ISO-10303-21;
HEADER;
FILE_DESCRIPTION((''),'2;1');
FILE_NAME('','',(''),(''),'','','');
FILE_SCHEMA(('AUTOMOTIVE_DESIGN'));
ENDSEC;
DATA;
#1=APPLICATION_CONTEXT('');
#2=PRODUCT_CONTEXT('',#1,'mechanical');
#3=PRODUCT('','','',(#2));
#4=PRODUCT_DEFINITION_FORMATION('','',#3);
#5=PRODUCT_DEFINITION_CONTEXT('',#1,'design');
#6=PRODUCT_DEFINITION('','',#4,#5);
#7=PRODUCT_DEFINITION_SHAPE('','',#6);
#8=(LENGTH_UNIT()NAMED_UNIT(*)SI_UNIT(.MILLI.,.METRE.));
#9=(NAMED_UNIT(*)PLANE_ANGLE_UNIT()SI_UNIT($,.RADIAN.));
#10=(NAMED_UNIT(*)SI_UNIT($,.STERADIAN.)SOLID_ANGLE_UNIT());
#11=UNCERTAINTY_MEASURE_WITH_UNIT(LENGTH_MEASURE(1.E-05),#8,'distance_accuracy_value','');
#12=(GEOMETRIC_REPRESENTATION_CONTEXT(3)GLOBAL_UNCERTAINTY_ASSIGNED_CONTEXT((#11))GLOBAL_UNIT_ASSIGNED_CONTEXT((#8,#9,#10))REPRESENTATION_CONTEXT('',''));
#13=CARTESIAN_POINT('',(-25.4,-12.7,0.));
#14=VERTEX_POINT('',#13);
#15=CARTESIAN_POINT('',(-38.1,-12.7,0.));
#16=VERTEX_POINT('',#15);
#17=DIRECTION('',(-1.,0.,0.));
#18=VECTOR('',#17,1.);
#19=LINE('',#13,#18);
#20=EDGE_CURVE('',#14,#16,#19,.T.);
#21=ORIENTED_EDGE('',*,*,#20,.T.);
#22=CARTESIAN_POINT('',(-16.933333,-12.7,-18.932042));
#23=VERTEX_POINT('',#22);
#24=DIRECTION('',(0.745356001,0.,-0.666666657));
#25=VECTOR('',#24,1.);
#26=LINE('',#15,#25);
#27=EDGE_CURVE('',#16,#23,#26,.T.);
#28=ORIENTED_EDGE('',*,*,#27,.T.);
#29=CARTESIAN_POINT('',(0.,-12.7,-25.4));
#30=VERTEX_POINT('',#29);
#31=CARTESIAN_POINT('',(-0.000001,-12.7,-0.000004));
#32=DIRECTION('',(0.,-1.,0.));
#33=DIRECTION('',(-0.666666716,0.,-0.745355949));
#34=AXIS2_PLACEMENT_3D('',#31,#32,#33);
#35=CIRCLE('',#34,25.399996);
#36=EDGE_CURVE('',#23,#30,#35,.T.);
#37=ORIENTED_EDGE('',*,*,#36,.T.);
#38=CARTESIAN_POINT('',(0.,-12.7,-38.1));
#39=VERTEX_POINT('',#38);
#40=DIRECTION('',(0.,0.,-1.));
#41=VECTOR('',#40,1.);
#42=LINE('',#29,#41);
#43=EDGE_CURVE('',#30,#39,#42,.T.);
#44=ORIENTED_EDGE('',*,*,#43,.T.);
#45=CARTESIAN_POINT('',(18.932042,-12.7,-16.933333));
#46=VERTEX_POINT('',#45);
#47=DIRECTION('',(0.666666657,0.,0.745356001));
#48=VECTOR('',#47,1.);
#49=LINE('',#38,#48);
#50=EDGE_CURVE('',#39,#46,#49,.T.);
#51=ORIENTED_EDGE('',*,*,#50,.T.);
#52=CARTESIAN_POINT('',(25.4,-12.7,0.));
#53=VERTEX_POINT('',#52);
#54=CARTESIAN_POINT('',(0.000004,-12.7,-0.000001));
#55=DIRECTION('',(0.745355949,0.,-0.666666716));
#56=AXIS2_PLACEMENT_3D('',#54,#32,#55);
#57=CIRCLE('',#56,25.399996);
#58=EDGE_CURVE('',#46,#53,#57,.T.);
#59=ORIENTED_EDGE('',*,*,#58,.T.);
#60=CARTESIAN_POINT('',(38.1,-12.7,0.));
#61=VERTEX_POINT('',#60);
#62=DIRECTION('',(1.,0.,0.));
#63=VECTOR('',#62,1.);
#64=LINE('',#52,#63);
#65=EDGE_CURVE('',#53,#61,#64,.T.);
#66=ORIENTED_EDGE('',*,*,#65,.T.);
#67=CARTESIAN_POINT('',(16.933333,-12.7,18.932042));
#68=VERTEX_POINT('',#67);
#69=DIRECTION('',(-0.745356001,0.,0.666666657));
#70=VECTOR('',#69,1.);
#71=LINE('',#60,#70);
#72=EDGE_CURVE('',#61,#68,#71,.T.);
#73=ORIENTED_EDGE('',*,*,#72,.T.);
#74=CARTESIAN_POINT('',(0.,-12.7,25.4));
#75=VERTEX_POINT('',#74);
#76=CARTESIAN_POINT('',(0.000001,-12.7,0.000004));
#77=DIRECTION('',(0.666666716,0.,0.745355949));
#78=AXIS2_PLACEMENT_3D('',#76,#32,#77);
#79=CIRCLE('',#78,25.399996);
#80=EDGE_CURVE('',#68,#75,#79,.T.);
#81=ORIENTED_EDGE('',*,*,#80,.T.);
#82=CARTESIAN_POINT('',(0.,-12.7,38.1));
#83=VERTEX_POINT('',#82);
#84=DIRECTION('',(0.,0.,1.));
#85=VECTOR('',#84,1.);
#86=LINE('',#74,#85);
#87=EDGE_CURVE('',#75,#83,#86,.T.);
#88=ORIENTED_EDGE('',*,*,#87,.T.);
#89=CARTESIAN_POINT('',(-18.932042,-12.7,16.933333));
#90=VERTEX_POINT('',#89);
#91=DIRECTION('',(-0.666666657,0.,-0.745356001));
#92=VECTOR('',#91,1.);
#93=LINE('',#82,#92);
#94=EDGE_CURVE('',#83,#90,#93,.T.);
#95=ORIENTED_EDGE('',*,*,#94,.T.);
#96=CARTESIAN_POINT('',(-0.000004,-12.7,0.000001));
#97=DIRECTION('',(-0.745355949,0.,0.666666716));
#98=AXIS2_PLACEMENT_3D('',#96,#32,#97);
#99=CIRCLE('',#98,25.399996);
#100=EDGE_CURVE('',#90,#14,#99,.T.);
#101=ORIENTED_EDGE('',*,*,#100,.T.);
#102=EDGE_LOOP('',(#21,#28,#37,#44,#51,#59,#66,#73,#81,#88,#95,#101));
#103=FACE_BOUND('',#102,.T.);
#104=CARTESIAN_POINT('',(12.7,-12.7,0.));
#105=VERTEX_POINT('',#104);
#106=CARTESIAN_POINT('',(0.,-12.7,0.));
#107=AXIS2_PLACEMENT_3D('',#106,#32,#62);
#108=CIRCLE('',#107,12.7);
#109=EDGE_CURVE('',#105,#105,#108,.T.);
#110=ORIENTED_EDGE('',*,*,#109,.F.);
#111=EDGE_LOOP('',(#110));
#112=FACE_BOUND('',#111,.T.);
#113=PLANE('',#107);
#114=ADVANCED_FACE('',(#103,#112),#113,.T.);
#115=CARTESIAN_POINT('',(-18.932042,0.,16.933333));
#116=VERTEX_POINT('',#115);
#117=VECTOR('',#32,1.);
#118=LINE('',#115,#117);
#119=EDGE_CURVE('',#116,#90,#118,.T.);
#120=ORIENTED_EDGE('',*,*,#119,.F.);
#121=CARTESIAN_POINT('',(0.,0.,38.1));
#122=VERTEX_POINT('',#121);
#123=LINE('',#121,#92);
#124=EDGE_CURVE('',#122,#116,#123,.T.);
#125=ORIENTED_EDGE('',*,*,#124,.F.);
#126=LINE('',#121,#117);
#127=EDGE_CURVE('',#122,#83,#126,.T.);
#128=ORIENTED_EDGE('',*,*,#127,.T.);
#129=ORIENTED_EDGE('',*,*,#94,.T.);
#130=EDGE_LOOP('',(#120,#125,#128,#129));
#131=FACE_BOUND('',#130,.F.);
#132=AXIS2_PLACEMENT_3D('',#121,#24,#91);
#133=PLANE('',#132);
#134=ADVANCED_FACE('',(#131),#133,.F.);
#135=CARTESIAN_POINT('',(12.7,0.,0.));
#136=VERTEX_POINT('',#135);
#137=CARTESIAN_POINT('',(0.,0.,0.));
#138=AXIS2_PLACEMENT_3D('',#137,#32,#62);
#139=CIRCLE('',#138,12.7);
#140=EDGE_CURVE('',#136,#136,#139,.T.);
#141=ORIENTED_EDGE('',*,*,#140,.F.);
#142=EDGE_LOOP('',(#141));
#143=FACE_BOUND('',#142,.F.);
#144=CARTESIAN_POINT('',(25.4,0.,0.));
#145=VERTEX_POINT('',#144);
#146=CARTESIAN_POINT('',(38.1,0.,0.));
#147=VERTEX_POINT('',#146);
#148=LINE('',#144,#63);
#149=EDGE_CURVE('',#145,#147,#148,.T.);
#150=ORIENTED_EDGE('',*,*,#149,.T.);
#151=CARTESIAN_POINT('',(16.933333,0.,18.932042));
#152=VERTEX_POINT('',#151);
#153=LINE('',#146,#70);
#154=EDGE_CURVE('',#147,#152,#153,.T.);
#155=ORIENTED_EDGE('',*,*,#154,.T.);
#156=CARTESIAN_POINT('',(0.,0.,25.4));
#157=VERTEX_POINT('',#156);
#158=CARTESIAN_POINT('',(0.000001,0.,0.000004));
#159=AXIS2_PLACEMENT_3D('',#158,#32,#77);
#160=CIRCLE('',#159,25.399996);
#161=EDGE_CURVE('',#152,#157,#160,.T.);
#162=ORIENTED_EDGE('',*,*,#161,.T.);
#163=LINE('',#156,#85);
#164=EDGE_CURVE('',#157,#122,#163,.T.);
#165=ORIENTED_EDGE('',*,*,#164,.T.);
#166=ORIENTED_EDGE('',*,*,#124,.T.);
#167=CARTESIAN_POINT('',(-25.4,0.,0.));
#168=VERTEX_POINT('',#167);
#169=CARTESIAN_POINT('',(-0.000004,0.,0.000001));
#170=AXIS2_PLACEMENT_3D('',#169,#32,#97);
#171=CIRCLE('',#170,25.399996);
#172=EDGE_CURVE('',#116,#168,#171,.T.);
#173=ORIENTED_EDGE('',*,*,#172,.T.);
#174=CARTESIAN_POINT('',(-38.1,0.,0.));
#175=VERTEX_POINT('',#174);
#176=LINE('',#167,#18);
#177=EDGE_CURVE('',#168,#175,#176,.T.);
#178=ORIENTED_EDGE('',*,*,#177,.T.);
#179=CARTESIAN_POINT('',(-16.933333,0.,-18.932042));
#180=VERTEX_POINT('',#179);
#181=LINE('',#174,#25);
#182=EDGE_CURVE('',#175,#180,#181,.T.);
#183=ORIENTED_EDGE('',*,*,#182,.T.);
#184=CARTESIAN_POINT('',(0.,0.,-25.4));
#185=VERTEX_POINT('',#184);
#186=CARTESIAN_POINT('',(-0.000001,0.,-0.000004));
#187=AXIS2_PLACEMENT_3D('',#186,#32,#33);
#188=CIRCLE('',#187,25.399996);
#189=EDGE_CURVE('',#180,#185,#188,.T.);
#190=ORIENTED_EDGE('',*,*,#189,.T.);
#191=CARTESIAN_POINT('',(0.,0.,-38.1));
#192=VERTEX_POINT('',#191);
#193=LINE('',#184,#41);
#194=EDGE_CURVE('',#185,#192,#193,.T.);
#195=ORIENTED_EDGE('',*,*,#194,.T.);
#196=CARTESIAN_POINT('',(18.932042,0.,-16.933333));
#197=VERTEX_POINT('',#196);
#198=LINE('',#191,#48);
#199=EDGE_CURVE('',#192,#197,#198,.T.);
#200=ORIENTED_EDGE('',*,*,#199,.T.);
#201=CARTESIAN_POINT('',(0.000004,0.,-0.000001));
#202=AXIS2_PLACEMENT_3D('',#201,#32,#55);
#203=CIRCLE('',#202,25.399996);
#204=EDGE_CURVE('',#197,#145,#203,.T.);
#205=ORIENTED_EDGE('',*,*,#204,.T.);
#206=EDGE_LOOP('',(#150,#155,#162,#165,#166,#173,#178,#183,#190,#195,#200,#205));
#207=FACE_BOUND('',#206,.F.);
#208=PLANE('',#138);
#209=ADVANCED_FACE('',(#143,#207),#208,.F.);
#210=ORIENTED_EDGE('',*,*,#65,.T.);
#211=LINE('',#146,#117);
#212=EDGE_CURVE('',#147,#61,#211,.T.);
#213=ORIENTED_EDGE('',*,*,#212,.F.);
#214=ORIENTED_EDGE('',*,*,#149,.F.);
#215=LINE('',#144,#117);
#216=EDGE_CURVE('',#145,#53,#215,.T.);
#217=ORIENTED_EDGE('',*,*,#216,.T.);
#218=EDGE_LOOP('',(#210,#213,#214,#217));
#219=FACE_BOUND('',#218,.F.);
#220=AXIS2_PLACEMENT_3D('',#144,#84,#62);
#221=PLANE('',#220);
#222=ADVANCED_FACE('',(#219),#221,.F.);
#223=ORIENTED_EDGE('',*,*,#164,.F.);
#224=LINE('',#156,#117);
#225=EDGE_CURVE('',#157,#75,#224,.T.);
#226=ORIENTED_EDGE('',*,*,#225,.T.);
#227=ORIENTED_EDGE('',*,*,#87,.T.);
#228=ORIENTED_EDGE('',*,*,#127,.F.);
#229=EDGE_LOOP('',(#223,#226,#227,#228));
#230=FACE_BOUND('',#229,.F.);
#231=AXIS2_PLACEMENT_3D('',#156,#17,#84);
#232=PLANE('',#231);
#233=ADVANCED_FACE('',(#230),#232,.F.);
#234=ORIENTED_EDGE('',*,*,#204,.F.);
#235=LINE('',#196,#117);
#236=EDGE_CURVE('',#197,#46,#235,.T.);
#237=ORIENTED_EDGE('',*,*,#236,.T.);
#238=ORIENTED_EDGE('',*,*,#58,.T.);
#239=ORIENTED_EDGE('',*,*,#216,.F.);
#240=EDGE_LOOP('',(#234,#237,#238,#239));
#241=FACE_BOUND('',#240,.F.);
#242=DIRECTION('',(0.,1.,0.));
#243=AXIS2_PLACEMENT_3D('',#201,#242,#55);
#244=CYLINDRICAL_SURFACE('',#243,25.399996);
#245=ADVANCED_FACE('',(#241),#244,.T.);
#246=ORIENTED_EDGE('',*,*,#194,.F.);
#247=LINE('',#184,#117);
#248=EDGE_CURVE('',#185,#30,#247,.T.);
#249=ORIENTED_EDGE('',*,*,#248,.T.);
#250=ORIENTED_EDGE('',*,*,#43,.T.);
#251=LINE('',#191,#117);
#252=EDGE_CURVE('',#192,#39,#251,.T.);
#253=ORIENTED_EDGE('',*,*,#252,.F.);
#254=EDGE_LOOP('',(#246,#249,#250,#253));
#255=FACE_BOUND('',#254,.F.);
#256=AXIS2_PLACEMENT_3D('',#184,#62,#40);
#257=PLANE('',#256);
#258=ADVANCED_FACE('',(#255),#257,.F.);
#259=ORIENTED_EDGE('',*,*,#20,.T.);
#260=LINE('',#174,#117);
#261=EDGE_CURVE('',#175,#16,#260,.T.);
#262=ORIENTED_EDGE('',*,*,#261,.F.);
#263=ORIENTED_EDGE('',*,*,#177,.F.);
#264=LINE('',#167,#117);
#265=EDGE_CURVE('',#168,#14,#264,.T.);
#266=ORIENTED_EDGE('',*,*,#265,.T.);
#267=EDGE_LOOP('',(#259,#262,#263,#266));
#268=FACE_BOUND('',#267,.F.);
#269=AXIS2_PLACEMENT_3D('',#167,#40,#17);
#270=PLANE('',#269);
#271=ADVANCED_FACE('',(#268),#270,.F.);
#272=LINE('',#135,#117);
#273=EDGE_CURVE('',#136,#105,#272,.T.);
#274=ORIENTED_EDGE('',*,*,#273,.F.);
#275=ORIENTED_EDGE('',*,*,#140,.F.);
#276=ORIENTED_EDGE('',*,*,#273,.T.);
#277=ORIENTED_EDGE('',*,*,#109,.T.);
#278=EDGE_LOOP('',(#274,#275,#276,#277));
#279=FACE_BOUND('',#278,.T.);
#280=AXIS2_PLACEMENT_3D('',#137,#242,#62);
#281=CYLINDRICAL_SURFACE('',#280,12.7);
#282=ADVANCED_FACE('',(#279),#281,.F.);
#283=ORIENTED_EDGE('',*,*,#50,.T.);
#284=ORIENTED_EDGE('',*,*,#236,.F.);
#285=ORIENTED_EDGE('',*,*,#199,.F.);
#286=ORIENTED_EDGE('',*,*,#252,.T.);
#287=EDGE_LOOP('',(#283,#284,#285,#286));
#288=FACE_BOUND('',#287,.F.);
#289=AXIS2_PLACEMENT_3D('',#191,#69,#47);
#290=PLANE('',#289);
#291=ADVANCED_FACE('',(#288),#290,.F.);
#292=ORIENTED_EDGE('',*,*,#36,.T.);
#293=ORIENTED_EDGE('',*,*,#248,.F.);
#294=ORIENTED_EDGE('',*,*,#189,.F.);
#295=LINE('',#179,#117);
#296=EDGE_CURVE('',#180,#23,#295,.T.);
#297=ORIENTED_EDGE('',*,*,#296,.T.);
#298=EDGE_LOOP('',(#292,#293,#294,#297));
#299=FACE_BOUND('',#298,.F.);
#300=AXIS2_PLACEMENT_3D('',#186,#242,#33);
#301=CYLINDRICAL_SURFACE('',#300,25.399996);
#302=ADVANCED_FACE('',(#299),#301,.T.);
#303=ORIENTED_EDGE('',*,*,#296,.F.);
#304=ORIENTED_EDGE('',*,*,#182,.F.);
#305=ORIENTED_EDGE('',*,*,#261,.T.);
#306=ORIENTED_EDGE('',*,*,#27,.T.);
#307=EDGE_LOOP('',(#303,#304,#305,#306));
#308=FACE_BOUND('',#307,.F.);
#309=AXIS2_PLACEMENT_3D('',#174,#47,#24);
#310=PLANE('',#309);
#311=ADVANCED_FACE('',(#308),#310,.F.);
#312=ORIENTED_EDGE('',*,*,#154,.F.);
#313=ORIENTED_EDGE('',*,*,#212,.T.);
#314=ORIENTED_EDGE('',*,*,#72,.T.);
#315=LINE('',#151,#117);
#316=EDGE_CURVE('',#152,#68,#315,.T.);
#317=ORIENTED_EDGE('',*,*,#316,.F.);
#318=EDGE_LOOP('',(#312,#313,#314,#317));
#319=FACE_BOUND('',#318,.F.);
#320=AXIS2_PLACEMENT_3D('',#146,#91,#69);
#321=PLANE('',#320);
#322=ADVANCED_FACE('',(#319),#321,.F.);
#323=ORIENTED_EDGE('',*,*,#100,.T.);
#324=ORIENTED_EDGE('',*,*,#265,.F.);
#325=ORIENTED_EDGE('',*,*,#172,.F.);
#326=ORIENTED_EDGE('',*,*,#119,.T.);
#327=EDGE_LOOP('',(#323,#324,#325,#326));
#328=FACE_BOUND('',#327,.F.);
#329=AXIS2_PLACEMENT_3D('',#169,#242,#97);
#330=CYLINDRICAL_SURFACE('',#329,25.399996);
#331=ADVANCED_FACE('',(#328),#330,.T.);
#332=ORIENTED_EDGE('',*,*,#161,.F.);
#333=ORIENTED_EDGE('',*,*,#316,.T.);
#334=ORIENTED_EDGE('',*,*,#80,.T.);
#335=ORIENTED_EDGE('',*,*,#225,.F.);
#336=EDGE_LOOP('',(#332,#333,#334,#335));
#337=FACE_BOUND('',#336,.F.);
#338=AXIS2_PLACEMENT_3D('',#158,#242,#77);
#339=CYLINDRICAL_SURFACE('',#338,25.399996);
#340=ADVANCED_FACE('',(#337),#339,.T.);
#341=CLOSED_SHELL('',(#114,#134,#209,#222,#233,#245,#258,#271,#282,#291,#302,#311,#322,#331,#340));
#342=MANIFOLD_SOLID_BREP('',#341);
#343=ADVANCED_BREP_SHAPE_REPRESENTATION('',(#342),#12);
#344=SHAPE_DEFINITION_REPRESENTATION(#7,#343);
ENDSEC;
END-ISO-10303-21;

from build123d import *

# Parameters (mm, degrees)
F0_R     = 12.7
F1_DEPTH = 12.7


with BuildPart() as f1:
    # F0 (on Front) → F1 (new body)
    with BuildSketch(Plane.XZ):
        with BuildLine():
            ThreePointArc((18.932042, -16.933333), (23.727978, -9.063281), (25.4, 0))
            ThreePointArc((25.4, 0), (23.186922, 10.369507), (16.933333, 18.932042))
            ThreePointArc((16.933333, 18.932042), (9.063281, 23.727978), (0, 25.4))
            ThreePointArc((0, 25.4), (-10.369507, 23.186922), (-18.932042, 16.933333))
            ThreePointArc((-18.932042, 16.933333), (-23.727978, 9.063281), (-25.4, 0))
            ThreePointArc((-25.4, 0), (-23.186922, -10.369507), (-16.933333, -18.932042))
            ThreePointArc((-16.933333, -18.932042), (-9.063281, -23.727978), (0, -25.4))
            ThreePointArc((0, -25.4), (10.369507, -23.186922), (18.932042, -16.933333))
        make_face()
        Circle(F0_R, mode=Mode.SUBTRACT)
        with BuildLine():
            ThreePointArc((-18.932042, 16.933333), (-10.369507, 23.186922), (0, 25.4))
            Line((0, 25.4), (0, 38.1))
            Line((0, 38.1), (-18.932042, 16.933333))
        make_face()
        with BuildLine():
            ThreePointArc((16.933333, 18.932042), (23.186922, 10.369507), (25.4, 0))
            Line((25.4, 0), (38.1, 0))
            Line((38.1, 0), (16.933333, 18.932042))
        make_face()
        with BuildLine():
            Line((0, -38.1), (18.932042, -16.933333))
            ThreePointArc((18.932042, -16.933333), (10.369507, -23.186922), (0, -25.4))
            Line((0, -25.4), (0, -38.1))
        make_face()
        with BuildLine():
            Line((-38.1, 0), (-16.933333, -18.932042))
            ThreePointArc((-16.933333, -18.932042), (-23.186922, -10.369507), (-25.4, 0))
            Line((-25.4, 0), (-38.1, 0))
        make_face()
    extrude(amount=F1_DEPTH)


solid = f1.part
